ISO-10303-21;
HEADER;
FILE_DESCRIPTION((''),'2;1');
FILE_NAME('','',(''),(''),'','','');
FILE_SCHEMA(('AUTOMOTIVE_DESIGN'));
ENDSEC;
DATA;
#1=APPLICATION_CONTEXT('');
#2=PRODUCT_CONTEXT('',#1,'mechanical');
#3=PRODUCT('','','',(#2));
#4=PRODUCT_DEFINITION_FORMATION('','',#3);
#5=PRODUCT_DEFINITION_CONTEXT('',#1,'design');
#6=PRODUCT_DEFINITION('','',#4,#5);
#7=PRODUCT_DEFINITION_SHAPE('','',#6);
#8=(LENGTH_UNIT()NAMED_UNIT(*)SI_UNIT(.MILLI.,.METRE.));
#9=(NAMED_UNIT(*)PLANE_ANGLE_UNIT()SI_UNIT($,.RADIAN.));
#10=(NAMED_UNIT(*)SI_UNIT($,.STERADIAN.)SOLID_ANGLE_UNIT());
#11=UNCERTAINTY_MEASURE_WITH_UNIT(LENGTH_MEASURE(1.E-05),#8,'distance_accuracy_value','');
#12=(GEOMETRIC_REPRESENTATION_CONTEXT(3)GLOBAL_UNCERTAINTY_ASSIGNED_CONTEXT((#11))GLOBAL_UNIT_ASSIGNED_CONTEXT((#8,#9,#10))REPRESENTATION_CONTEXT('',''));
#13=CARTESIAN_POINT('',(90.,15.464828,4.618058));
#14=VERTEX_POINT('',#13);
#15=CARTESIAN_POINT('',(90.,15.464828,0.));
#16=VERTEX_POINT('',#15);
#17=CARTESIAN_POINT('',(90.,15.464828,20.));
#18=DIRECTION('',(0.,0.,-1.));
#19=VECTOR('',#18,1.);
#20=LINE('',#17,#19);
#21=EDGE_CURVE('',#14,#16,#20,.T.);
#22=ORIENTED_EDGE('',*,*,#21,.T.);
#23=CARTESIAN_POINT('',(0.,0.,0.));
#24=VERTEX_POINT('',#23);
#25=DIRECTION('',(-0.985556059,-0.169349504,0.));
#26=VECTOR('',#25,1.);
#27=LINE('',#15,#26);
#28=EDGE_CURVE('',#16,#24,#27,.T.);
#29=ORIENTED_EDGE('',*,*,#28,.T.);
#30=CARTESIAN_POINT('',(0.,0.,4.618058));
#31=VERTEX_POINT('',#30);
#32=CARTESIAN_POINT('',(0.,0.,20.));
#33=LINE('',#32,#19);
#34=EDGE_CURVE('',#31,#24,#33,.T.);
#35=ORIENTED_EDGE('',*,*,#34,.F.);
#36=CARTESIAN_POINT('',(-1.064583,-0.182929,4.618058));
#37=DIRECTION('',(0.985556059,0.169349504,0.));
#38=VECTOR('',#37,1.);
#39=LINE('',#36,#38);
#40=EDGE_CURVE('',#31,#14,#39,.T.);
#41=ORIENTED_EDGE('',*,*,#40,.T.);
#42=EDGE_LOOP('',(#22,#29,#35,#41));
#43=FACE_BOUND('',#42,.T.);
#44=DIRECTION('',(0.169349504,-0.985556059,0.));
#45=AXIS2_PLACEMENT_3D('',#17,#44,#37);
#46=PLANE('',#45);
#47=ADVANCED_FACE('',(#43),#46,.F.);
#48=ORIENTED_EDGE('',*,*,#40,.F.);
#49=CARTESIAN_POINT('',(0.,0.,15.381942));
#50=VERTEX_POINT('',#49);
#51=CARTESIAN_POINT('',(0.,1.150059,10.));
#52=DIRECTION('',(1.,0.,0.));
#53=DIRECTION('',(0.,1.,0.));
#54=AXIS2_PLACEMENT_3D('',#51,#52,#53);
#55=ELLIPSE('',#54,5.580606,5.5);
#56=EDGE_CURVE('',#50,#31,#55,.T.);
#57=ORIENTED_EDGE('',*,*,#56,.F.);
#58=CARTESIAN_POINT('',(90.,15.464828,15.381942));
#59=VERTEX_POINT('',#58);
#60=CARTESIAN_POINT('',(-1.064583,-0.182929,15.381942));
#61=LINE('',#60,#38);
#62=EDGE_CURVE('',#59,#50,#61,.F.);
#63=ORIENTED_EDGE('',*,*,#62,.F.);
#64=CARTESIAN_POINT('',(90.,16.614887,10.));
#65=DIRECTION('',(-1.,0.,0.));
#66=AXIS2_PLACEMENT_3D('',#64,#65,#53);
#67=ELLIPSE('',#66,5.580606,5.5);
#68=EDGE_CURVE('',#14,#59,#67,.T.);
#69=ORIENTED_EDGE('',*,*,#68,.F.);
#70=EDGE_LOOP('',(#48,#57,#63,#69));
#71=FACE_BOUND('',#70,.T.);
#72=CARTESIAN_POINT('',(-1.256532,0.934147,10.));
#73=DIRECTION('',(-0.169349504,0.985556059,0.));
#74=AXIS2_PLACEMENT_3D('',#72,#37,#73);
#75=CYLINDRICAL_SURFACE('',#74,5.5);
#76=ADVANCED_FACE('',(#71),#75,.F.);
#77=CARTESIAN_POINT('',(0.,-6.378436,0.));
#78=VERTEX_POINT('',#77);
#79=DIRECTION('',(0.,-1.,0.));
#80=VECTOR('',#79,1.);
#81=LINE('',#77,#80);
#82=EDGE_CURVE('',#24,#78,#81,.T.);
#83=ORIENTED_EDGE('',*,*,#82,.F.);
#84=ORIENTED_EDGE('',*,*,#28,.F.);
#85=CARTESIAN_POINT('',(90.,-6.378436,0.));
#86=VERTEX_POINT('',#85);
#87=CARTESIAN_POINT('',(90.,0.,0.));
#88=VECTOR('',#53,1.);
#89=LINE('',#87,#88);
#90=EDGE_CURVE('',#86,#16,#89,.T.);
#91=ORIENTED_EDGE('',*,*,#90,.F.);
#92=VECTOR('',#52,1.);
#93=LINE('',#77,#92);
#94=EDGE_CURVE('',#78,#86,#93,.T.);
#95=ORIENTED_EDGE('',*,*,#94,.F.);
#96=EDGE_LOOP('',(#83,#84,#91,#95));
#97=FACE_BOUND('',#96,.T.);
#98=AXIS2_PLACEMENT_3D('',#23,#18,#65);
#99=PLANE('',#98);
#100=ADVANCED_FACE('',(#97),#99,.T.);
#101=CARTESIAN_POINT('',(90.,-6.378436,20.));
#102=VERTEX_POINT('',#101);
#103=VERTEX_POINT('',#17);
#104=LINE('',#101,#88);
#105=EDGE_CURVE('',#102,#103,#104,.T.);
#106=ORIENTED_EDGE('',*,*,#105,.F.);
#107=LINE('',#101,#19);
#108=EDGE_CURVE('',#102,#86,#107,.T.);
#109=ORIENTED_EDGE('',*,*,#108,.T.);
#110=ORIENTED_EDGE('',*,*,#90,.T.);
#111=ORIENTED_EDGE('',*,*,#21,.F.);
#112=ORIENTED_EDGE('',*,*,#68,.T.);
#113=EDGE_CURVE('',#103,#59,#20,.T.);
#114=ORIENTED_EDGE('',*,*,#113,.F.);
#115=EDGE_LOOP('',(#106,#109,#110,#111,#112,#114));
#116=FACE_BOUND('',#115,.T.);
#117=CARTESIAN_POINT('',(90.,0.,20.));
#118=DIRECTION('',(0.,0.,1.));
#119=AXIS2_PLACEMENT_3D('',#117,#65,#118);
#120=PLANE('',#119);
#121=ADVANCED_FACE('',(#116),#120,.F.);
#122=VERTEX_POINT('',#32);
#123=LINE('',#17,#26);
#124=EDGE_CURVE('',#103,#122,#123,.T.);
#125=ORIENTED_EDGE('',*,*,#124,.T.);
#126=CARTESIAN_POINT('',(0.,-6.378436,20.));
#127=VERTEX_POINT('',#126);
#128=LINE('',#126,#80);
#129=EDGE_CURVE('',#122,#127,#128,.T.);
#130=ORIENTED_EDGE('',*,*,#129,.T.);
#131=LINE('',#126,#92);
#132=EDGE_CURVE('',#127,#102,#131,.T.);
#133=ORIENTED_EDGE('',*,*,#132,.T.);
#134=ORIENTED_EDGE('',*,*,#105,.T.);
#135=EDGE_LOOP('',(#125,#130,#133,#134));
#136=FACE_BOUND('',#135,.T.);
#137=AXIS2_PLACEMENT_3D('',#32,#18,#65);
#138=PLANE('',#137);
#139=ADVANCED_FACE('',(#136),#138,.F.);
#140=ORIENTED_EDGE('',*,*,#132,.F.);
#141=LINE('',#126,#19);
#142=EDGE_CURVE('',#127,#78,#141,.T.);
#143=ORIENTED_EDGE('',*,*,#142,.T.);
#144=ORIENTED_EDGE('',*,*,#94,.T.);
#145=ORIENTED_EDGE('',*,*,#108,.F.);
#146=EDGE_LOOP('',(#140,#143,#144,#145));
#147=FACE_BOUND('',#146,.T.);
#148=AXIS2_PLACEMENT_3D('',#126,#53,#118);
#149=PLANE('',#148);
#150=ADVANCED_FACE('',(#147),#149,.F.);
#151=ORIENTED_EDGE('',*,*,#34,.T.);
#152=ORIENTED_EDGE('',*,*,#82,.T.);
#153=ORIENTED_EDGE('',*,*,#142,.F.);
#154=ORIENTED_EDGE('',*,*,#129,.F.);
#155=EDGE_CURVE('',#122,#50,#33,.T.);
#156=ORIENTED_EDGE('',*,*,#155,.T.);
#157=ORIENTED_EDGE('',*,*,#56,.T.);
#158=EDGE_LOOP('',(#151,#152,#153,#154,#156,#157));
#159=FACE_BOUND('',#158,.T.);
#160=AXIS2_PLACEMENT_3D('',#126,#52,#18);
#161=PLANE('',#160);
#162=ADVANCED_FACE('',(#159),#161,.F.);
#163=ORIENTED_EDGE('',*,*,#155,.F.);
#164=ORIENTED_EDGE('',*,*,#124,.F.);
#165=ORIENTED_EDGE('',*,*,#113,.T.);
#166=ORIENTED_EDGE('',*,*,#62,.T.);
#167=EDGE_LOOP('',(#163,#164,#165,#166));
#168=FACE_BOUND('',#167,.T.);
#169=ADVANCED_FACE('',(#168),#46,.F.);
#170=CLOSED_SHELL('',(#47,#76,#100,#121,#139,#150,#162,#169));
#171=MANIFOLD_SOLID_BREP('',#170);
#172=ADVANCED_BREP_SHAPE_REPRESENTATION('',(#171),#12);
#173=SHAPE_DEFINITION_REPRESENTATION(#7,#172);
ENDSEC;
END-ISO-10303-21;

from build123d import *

# Parameters (mm, degrees)
BOSS_EXTRUDE1_DEPTH = 20
CUT_EXTRUDE1_DEPTH  = 93.39919136


with BuildPart() as part:
    # Sketch2 → Boss-Extrude1 (new body)
    with BuildSketch(Plane.XY):
        Polygon((90, 0), (90, 15.464828415), (0, 0), (0, -6.378436315), (90, -6.378436315), align=None)
    extrude(amount=BOSS_EXTRUDE1_DEPTH)

    # Sketch5 → Cut-Extrude1 (cut, through all)
    with BuildSketch(Plane(origin=(90, 15.464828415, 0), x_dir=(0, 0, -1), z_dir=(0.985556059, 0.169349504, 0))):
        with BuildLine():
            Line((-15.381941787, 0), (-4.618058213, 0))
            ThreePointArc((-4.618058213, 0), (-10, -4.366552781), (-15.381941787, 0))
        make_face()
    extrude(amount=-CUT_EXTRUDE1_DEPTH, mode=Mode.SUBTRACT)


solid = part.part
